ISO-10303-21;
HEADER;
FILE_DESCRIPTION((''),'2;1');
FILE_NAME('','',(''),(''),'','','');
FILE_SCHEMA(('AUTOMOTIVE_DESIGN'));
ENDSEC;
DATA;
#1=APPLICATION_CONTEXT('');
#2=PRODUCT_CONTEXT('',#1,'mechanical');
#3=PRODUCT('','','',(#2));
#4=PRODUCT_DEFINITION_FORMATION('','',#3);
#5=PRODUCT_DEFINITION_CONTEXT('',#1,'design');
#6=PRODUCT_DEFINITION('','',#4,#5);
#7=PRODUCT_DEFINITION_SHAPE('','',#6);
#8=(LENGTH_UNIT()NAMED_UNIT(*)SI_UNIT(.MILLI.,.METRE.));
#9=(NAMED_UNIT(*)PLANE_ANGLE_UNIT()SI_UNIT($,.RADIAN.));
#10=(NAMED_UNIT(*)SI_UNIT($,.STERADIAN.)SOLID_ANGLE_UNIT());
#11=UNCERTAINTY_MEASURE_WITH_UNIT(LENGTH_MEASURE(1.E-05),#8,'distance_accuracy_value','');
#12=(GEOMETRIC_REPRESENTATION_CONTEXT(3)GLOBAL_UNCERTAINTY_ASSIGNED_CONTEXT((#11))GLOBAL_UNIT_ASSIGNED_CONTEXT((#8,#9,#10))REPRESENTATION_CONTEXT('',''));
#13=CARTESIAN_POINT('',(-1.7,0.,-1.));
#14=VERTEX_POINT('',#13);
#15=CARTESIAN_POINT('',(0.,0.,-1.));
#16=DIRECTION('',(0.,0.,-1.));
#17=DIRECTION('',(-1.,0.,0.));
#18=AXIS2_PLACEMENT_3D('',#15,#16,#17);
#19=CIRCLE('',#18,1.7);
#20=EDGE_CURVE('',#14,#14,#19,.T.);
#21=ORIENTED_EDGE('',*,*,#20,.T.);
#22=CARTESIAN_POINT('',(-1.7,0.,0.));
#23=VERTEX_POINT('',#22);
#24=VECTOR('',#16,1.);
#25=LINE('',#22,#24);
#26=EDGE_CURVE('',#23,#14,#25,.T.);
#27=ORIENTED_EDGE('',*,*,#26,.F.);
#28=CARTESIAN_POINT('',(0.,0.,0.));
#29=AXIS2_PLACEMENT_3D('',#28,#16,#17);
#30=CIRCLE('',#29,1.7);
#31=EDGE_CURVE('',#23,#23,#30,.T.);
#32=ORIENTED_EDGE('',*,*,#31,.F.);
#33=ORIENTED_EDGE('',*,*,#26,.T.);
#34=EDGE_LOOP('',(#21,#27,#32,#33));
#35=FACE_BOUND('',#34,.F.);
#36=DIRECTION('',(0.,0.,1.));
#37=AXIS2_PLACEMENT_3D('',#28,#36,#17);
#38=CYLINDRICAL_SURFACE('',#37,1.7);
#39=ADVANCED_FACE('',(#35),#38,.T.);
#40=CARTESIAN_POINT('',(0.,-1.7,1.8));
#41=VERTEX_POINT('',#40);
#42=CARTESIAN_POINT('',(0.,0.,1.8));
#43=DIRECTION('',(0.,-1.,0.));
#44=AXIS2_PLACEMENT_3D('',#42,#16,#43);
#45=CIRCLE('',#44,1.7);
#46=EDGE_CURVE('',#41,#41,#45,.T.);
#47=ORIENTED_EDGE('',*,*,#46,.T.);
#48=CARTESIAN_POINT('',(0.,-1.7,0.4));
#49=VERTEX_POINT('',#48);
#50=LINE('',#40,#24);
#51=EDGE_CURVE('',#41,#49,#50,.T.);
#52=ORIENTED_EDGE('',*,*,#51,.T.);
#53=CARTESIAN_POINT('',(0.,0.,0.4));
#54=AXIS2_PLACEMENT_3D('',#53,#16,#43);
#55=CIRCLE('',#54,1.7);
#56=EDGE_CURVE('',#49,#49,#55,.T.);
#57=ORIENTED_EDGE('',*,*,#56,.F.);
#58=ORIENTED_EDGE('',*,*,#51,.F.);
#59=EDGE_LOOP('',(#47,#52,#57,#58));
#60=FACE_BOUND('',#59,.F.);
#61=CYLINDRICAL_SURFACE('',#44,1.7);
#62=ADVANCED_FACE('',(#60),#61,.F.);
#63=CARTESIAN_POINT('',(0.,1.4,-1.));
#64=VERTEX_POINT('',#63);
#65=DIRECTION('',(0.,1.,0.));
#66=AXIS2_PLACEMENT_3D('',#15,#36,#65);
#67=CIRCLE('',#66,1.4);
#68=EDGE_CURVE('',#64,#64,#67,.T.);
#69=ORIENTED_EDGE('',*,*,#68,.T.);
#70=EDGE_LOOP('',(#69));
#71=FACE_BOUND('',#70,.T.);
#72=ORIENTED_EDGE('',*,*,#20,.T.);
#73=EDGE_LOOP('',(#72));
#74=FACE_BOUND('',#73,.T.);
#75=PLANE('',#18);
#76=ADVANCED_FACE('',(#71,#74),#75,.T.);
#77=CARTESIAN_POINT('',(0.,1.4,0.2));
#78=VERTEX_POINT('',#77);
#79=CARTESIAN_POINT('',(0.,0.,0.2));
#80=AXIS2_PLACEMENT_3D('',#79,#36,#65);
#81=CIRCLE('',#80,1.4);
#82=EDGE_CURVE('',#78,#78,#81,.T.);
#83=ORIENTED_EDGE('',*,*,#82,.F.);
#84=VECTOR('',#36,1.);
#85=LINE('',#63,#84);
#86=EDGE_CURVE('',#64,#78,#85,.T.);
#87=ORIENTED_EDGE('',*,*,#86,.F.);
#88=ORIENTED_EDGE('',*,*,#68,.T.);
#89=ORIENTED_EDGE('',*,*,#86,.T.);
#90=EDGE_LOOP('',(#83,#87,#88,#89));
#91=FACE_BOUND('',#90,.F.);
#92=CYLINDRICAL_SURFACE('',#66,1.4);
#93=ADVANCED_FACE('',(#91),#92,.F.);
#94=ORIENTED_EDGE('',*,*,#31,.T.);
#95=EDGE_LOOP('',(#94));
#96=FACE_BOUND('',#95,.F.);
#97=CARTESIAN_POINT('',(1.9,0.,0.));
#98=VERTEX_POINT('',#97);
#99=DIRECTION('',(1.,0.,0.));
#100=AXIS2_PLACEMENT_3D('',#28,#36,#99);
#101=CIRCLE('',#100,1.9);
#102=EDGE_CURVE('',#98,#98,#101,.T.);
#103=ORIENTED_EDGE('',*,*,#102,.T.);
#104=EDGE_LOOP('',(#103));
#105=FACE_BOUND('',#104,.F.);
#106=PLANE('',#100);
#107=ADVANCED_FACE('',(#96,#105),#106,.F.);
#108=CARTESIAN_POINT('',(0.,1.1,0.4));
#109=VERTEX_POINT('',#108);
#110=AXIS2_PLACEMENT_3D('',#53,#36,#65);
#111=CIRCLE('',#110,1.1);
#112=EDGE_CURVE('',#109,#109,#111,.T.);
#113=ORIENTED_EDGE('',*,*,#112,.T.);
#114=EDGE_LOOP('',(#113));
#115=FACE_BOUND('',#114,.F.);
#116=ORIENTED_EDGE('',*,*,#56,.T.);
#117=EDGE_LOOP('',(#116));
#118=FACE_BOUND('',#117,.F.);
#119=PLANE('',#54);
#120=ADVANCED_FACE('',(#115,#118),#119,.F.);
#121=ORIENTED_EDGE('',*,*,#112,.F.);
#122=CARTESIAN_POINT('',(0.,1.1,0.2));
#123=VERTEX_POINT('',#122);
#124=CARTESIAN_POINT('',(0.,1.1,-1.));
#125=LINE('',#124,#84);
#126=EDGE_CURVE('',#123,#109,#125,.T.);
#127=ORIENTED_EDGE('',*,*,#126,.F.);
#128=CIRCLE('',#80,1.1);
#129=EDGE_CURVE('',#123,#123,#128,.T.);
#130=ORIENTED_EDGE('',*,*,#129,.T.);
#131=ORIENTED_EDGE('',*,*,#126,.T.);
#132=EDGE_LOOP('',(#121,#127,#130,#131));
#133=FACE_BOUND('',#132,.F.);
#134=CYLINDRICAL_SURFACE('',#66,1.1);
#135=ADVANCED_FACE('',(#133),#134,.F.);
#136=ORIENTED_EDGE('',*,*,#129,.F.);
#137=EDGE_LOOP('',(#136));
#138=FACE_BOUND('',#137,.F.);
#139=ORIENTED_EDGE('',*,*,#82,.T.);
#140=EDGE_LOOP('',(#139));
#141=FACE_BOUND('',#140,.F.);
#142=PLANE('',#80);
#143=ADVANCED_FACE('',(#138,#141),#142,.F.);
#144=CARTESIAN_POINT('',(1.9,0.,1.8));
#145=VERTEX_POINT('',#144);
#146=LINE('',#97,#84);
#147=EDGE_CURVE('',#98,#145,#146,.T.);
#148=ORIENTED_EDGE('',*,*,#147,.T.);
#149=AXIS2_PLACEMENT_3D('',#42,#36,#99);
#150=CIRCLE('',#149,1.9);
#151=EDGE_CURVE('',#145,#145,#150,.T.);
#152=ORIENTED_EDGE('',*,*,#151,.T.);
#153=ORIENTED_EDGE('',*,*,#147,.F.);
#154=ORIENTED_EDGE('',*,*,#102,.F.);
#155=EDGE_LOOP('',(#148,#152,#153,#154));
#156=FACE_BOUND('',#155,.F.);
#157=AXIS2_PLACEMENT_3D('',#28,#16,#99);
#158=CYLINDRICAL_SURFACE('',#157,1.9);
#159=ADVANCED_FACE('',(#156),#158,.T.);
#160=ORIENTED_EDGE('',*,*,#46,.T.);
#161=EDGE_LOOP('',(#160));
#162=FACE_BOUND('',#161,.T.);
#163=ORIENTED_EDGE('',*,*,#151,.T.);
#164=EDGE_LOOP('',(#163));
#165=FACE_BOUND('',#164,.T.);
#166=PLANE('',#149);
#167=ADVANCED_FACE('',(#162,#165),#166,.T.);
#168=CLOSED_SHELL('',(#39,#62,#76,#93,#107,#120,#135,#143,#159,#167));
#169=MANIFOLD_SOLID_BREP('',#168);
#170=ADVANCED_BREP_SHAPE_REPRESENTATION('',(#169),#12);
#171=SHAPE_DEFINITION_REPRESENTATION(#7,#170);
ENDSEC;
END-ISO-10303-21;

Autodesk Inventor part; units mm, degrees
ref_plane "YZ Plane" through (0, 0, 0) normal (1, 0, 0) x (0, 1, 0)
ref_plane "XZ Plane" through (0, 0, 0) normal (0, 1, 0) x (-1, 0, 0)
ref_plane "XY Plane" through (0, 0, 0) normal (0, 0, 1) x (1, 0, 0)
sketch "Sketch1" plane through (0, 0, 0) normal (0, 0, 1) x (1, 0, 0)
  circle A0 centre (0, 0) radius 1.9
  dimension "d0" = 3.8
extrude "Extrusion1" add sketch "Sketch1" along normal blind 1.8
hole "Hole1" at (0, 0, 1.8) direction (0, 0, -1) diameter 3.4 depth 1.4
sketch "Sketch2" plane through (0, 0, 0) normal (0, 0, -1) x (-1, 0, 0)
  circle A0 centre (0, 0) radius 1.9 projected
  circle A1 centre (0, 0) radius 1.7
  dimension "d12" = 3.4
extrude "Extrusion2" add sketch "Sketch2" along normal blind 1 contours A1
hole "Hole2" at (0, 0, -1) direction (0, 0, 1) diameter 2.2 end through all
hole "Hole3" at (0, 0, -1) direction (0, 0, 1) diameter 2.8 depth 1.2
properties part number "MU_Bearing_Retainer2"
